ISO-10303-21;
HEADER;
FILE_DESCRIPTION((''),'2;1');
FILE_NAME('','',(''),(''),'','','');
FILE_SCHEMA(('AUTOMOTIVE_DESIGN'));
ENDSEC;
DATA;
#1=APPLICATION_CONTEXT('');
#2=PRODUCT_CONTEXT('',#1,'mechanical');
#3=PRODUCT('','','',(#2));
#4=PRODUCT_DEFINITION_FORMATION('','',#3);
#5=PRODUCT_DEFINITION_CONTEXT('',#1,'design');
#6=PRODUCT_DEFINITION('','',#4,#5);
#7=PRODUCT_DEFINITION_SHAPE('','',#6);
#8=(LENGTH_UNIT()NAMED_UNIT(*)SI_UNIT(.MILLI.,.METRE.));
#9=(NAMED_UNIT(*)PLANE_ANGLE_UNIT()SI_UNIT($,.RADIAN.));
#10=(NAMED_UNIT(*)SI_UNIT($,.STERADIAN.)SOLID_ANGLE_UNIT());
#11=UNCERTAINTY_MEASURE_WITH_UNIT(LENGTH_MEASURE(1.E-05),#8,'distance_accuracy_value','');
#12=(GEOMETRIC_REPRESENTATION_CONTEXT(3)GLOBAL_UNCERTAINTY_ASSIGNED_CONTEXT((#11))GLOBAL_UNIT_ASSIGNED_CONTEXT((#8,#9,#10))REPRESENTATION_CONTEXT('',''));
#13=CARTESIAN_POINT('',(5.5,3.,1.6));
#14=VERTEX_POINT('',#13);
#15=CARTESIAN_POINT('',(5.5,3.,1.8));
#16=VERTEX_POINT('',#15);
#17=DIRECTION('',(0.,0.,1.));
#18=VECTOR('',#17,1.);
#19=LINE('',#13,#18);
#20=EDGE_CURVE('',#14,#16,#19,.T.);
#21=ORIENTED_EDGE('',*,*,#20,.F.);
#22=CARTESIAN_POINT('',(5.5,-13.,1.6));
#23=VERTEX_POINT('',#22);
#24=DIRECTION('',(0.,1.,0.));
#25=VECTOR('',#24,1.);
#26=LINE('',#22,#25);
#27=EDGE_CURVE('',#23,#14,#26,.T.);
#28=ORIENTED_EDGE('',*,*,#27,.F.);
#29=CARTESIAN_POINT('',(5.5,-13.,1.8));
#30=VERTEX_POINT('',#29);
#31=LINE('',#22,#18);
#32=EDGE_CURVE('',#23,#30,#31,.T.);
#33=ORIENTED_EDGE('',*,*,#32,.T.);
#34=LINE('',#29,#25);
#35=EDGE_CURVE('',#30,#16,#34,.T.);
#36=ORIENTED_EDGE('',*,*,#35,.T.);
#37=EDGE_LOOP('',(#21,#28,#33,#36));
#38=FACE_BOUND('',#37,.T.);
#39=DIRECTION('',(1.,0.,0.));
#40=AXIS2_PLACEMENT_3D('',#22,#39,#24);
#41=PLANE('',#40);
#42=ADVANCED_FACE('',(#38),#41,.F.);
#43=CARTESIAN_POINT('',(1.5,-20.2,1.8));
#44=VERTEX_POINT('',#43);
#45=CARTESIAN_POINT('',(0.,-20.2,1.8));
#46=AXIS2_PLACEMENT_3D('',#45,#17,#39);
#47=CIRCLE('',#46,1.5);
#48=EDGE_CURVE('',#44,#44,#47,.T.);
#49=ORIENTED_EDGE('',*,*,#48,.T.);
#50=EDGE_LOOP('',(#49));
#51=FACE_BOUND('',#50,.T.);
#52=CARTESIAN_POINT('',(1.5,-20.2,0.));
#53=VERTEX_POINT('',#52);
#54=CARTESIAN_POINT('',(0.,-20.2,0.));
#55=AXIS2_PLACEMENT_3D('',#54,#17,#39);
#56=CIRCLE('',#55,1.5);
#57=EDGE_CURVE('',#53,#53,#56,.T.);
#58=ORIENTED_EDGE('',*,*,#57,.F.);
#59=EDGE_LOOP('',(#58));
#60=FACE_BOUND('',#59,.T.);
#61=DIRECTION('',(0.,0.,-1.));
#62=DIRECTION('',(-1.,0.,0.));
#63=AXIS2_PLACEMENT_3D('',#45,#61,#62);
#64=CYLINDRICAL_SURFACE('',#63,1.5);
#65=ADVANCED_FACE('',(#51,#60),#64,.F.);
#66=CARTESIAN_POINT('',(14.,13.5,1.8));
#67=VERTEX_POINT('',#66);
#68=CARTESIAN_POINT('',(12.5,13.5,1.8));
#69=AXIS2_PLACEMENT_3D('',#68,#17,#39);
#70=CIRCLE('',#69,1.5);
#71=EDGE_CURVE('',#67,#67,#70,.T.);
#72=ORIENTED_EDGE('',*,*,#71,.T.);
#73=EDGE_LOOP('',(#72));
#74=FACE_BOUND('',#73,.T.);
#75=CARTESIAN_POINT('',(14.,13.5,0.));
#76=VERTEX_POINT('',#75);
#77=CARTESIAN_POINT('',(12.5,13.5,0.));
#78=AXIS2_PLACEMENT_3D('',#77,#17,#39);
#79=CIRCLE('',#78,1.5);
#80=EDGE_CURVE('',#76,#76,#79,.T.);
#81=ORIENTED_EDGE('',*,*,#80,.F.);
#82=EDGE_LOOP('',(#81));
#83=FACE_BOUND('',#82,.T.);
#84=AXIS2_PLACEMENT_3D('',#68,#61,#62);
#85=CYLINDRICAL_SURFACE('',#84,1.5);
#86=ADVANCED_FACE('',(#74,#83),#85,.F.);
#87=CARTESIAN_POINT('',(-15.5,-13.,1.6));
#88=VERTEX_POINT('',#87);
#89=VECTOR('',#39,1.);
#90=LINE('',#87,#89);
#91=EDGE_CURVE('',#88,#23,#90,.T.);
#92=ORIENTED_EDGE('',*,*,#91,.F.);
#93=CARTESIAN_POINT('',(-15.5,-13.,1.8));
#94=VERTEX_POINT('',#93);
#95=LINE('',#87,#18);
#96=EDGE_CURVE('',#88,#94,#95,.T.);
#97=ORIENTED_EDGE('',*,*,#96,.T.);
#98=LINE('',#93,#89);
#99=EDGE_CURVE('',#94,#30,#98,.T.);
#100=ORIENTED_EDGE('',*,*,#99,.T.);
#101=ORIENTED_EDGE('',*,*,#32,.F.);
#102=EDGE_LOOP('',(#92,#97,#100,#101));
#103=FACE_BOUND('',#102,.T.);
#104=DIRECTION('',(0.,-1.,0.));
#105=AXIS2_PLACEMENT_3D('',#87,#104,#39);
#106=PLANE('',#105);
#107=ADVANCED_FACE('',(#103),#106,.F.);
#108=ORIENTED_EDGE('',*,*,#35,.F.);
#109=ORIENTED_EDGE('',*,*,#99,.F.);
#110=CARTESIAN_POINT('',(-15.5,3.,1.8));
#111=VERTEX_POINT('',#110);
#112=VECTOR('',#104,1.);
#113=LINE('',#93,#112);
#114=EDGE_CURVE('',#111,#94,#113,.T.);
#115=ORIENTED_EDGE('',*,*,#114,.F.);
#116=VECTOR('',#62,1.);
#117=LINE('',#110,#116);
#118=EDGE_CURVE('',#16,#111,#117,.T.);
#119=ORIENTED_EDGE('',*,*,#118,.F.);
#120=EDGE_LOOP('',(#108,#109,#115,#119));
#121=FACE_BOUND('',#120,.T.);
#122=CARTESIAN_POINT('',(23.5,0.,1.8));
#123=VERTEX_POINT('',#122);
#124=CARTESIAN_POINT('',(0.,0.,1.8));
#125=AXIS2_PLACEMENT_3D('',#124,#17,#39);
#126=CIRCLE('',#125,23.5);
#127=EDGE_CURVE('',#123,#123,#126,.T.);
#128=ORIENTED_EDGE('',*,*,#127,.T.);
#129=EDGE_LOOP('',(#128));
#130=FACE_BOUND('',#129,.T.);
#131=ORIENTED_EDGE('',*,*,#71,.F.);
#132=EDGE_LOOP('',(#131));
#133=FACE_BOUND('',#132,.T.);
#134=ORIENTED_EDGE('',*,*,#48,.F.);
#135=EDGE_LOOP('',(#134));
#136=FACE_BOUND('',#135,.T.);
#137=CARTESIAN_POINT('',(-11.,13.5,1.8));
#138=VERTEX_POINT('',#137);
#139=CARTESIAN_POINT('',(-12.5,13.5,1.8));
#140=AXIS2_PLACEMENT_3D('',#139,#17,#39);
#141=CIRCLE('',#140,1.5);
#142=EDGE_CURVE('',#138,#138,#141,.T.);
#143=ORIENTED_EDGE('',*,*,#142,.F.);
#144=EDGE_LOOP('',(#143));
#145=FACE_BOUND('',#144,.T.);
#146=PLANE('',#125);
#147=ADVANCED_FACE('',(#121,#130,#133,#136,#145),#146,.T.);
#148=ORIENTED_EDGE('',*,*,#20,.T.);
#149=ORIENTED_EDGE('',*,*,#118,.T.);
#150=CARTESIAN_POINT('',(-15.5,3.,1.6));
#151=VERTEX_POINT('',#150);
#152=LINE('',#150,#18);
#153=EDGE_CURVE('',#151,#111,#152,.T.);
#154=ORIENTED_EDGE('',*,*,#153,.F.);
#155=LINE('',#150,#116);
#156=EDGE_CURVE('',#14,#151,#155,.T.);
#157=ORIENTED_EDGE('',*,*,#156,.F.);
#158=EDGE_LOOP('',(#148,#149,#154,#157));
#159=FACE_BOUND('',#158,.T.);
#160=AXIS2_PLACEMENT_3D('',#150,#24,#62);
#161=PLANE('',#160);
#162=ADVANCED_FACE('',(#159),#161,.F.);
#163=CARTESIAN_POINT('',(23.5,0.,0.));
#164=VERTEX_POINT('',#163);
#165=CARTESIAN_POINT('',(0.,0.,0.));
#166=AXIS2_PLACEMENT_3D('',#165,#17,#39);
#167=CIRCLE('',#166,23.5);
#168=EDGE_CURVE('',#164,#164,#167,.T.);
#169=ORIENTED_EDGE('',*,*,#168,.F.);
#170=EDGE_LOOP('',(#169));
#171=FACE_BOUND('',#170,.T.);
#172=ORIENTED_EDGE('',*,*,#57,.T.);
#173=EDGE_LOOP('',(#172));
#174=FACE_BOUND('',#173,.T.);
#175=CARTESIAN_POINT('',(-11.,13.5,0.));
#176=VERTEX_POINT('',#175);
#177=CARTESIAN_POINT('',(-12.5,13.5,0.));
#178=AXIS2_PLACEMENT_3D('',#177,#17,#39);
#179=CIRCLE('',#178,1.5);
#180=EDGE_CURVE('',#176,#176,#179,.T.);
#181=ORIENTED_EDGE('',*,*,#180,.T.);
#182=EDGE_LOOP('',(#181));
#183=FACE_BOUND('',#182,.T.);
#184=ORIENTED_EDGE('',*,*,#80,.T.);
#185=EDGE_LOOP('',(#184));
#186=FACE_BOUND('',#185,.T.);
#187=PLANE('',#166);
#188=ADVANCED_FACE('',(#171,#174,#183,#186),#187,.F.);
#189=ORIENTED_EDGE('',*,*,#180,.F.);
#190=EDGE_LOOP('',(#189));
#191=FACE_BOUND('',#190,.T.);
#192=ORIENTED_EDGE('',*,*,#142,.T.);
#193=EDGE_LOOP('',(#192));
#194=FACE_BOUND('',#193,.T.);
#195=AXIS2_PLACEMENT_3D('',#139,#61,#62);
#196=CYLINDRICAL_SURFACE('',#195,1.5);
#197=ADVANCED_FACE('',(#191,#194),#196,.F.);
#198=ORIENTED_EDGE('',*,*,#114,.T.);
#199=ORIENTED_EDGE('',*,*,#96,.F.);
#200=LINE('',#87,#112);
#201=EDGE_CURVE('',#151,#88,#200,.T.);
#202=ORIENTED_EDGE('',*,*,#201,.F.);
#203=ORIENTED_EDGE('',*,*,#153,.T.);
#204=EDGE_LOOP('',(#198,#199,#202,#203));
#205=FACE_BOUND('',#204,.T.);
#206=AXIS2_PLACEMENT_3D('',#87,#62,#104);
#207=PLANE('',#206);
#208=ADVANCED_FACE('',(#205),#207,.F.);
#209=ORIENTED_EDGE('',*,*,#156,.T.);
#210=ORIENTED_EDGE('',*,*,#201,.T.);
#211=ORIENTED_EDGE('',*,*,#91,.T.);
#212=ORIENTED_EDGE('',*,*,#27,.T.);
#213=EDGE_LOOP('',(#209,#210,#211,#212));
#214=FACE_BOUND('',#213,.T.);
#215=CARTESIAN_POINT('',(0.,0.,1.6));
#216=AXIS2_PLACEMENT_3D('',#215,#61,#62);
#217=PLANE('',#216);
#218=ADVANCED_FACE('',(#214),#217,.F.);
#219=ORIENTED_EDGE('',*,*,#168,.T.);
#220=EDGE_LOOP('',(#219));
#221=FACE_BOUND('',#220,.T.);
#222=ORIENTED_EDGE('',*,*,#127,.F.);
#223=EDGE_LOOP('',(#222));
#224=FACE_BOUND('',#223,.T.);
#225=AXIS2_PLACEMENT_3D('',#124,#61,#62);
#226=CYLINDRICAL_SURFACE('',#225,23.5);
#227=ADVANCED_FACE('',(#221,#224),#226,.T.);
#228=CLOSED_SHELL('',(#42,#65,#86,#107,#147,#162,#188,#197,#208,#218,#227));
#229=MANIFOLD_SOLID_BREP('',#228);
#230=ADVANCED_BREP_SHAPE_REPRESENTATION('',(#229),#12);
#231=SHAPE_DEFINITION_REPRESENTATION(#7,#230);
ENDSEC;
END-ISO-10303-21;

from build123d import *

# Parameters (mm, degrees)
CROQUIS1_R              = 23.5
CROQUIS1_R_2            = 1.5
SALIENTE_EXTRUIR1_DEPTH = 1.8
CROQUIS2_W              = 21
CROQUIS2_H              = 16
CORTAR_EXTRUIR1_DEPTH   = 0.2


with BuildPart() as part:
    # Croquis1 → Saliente-Extruir1 (new body)
    with BuildSketch(Plane.XY):
        Circle(CROQUIS1_R)
        with Locations((0, -20.2)):
            Circle(CROQUIS1_R_2, mode=Mode.SUBTRACT)
        with Locations((-12.5, 13.5)):
            Circle(CROQUIS1_R_2, mode=Mode.SUBTRACT)
        with Locations((12.5, 13.5)):
            Circle(CROQUIS1_R_2, mode=Mode.SUBTRACT)
    extrude(amount=SALIENTE_EXTRUIR1_DEPTH)

    # Croquis2 → Cortar-Extruir1 (cut)
    with BuildSketch(Plane.XY.offset(1.8)):
        with Locations((-5, -5)):
            Rectangle(CROQUIS2_W, CROQUIS2_H)
    extrude(amount=-CORTAR_EXTRUIR1_DEPTH, mode=Mode.SUBTRACT)


solid = part.part
